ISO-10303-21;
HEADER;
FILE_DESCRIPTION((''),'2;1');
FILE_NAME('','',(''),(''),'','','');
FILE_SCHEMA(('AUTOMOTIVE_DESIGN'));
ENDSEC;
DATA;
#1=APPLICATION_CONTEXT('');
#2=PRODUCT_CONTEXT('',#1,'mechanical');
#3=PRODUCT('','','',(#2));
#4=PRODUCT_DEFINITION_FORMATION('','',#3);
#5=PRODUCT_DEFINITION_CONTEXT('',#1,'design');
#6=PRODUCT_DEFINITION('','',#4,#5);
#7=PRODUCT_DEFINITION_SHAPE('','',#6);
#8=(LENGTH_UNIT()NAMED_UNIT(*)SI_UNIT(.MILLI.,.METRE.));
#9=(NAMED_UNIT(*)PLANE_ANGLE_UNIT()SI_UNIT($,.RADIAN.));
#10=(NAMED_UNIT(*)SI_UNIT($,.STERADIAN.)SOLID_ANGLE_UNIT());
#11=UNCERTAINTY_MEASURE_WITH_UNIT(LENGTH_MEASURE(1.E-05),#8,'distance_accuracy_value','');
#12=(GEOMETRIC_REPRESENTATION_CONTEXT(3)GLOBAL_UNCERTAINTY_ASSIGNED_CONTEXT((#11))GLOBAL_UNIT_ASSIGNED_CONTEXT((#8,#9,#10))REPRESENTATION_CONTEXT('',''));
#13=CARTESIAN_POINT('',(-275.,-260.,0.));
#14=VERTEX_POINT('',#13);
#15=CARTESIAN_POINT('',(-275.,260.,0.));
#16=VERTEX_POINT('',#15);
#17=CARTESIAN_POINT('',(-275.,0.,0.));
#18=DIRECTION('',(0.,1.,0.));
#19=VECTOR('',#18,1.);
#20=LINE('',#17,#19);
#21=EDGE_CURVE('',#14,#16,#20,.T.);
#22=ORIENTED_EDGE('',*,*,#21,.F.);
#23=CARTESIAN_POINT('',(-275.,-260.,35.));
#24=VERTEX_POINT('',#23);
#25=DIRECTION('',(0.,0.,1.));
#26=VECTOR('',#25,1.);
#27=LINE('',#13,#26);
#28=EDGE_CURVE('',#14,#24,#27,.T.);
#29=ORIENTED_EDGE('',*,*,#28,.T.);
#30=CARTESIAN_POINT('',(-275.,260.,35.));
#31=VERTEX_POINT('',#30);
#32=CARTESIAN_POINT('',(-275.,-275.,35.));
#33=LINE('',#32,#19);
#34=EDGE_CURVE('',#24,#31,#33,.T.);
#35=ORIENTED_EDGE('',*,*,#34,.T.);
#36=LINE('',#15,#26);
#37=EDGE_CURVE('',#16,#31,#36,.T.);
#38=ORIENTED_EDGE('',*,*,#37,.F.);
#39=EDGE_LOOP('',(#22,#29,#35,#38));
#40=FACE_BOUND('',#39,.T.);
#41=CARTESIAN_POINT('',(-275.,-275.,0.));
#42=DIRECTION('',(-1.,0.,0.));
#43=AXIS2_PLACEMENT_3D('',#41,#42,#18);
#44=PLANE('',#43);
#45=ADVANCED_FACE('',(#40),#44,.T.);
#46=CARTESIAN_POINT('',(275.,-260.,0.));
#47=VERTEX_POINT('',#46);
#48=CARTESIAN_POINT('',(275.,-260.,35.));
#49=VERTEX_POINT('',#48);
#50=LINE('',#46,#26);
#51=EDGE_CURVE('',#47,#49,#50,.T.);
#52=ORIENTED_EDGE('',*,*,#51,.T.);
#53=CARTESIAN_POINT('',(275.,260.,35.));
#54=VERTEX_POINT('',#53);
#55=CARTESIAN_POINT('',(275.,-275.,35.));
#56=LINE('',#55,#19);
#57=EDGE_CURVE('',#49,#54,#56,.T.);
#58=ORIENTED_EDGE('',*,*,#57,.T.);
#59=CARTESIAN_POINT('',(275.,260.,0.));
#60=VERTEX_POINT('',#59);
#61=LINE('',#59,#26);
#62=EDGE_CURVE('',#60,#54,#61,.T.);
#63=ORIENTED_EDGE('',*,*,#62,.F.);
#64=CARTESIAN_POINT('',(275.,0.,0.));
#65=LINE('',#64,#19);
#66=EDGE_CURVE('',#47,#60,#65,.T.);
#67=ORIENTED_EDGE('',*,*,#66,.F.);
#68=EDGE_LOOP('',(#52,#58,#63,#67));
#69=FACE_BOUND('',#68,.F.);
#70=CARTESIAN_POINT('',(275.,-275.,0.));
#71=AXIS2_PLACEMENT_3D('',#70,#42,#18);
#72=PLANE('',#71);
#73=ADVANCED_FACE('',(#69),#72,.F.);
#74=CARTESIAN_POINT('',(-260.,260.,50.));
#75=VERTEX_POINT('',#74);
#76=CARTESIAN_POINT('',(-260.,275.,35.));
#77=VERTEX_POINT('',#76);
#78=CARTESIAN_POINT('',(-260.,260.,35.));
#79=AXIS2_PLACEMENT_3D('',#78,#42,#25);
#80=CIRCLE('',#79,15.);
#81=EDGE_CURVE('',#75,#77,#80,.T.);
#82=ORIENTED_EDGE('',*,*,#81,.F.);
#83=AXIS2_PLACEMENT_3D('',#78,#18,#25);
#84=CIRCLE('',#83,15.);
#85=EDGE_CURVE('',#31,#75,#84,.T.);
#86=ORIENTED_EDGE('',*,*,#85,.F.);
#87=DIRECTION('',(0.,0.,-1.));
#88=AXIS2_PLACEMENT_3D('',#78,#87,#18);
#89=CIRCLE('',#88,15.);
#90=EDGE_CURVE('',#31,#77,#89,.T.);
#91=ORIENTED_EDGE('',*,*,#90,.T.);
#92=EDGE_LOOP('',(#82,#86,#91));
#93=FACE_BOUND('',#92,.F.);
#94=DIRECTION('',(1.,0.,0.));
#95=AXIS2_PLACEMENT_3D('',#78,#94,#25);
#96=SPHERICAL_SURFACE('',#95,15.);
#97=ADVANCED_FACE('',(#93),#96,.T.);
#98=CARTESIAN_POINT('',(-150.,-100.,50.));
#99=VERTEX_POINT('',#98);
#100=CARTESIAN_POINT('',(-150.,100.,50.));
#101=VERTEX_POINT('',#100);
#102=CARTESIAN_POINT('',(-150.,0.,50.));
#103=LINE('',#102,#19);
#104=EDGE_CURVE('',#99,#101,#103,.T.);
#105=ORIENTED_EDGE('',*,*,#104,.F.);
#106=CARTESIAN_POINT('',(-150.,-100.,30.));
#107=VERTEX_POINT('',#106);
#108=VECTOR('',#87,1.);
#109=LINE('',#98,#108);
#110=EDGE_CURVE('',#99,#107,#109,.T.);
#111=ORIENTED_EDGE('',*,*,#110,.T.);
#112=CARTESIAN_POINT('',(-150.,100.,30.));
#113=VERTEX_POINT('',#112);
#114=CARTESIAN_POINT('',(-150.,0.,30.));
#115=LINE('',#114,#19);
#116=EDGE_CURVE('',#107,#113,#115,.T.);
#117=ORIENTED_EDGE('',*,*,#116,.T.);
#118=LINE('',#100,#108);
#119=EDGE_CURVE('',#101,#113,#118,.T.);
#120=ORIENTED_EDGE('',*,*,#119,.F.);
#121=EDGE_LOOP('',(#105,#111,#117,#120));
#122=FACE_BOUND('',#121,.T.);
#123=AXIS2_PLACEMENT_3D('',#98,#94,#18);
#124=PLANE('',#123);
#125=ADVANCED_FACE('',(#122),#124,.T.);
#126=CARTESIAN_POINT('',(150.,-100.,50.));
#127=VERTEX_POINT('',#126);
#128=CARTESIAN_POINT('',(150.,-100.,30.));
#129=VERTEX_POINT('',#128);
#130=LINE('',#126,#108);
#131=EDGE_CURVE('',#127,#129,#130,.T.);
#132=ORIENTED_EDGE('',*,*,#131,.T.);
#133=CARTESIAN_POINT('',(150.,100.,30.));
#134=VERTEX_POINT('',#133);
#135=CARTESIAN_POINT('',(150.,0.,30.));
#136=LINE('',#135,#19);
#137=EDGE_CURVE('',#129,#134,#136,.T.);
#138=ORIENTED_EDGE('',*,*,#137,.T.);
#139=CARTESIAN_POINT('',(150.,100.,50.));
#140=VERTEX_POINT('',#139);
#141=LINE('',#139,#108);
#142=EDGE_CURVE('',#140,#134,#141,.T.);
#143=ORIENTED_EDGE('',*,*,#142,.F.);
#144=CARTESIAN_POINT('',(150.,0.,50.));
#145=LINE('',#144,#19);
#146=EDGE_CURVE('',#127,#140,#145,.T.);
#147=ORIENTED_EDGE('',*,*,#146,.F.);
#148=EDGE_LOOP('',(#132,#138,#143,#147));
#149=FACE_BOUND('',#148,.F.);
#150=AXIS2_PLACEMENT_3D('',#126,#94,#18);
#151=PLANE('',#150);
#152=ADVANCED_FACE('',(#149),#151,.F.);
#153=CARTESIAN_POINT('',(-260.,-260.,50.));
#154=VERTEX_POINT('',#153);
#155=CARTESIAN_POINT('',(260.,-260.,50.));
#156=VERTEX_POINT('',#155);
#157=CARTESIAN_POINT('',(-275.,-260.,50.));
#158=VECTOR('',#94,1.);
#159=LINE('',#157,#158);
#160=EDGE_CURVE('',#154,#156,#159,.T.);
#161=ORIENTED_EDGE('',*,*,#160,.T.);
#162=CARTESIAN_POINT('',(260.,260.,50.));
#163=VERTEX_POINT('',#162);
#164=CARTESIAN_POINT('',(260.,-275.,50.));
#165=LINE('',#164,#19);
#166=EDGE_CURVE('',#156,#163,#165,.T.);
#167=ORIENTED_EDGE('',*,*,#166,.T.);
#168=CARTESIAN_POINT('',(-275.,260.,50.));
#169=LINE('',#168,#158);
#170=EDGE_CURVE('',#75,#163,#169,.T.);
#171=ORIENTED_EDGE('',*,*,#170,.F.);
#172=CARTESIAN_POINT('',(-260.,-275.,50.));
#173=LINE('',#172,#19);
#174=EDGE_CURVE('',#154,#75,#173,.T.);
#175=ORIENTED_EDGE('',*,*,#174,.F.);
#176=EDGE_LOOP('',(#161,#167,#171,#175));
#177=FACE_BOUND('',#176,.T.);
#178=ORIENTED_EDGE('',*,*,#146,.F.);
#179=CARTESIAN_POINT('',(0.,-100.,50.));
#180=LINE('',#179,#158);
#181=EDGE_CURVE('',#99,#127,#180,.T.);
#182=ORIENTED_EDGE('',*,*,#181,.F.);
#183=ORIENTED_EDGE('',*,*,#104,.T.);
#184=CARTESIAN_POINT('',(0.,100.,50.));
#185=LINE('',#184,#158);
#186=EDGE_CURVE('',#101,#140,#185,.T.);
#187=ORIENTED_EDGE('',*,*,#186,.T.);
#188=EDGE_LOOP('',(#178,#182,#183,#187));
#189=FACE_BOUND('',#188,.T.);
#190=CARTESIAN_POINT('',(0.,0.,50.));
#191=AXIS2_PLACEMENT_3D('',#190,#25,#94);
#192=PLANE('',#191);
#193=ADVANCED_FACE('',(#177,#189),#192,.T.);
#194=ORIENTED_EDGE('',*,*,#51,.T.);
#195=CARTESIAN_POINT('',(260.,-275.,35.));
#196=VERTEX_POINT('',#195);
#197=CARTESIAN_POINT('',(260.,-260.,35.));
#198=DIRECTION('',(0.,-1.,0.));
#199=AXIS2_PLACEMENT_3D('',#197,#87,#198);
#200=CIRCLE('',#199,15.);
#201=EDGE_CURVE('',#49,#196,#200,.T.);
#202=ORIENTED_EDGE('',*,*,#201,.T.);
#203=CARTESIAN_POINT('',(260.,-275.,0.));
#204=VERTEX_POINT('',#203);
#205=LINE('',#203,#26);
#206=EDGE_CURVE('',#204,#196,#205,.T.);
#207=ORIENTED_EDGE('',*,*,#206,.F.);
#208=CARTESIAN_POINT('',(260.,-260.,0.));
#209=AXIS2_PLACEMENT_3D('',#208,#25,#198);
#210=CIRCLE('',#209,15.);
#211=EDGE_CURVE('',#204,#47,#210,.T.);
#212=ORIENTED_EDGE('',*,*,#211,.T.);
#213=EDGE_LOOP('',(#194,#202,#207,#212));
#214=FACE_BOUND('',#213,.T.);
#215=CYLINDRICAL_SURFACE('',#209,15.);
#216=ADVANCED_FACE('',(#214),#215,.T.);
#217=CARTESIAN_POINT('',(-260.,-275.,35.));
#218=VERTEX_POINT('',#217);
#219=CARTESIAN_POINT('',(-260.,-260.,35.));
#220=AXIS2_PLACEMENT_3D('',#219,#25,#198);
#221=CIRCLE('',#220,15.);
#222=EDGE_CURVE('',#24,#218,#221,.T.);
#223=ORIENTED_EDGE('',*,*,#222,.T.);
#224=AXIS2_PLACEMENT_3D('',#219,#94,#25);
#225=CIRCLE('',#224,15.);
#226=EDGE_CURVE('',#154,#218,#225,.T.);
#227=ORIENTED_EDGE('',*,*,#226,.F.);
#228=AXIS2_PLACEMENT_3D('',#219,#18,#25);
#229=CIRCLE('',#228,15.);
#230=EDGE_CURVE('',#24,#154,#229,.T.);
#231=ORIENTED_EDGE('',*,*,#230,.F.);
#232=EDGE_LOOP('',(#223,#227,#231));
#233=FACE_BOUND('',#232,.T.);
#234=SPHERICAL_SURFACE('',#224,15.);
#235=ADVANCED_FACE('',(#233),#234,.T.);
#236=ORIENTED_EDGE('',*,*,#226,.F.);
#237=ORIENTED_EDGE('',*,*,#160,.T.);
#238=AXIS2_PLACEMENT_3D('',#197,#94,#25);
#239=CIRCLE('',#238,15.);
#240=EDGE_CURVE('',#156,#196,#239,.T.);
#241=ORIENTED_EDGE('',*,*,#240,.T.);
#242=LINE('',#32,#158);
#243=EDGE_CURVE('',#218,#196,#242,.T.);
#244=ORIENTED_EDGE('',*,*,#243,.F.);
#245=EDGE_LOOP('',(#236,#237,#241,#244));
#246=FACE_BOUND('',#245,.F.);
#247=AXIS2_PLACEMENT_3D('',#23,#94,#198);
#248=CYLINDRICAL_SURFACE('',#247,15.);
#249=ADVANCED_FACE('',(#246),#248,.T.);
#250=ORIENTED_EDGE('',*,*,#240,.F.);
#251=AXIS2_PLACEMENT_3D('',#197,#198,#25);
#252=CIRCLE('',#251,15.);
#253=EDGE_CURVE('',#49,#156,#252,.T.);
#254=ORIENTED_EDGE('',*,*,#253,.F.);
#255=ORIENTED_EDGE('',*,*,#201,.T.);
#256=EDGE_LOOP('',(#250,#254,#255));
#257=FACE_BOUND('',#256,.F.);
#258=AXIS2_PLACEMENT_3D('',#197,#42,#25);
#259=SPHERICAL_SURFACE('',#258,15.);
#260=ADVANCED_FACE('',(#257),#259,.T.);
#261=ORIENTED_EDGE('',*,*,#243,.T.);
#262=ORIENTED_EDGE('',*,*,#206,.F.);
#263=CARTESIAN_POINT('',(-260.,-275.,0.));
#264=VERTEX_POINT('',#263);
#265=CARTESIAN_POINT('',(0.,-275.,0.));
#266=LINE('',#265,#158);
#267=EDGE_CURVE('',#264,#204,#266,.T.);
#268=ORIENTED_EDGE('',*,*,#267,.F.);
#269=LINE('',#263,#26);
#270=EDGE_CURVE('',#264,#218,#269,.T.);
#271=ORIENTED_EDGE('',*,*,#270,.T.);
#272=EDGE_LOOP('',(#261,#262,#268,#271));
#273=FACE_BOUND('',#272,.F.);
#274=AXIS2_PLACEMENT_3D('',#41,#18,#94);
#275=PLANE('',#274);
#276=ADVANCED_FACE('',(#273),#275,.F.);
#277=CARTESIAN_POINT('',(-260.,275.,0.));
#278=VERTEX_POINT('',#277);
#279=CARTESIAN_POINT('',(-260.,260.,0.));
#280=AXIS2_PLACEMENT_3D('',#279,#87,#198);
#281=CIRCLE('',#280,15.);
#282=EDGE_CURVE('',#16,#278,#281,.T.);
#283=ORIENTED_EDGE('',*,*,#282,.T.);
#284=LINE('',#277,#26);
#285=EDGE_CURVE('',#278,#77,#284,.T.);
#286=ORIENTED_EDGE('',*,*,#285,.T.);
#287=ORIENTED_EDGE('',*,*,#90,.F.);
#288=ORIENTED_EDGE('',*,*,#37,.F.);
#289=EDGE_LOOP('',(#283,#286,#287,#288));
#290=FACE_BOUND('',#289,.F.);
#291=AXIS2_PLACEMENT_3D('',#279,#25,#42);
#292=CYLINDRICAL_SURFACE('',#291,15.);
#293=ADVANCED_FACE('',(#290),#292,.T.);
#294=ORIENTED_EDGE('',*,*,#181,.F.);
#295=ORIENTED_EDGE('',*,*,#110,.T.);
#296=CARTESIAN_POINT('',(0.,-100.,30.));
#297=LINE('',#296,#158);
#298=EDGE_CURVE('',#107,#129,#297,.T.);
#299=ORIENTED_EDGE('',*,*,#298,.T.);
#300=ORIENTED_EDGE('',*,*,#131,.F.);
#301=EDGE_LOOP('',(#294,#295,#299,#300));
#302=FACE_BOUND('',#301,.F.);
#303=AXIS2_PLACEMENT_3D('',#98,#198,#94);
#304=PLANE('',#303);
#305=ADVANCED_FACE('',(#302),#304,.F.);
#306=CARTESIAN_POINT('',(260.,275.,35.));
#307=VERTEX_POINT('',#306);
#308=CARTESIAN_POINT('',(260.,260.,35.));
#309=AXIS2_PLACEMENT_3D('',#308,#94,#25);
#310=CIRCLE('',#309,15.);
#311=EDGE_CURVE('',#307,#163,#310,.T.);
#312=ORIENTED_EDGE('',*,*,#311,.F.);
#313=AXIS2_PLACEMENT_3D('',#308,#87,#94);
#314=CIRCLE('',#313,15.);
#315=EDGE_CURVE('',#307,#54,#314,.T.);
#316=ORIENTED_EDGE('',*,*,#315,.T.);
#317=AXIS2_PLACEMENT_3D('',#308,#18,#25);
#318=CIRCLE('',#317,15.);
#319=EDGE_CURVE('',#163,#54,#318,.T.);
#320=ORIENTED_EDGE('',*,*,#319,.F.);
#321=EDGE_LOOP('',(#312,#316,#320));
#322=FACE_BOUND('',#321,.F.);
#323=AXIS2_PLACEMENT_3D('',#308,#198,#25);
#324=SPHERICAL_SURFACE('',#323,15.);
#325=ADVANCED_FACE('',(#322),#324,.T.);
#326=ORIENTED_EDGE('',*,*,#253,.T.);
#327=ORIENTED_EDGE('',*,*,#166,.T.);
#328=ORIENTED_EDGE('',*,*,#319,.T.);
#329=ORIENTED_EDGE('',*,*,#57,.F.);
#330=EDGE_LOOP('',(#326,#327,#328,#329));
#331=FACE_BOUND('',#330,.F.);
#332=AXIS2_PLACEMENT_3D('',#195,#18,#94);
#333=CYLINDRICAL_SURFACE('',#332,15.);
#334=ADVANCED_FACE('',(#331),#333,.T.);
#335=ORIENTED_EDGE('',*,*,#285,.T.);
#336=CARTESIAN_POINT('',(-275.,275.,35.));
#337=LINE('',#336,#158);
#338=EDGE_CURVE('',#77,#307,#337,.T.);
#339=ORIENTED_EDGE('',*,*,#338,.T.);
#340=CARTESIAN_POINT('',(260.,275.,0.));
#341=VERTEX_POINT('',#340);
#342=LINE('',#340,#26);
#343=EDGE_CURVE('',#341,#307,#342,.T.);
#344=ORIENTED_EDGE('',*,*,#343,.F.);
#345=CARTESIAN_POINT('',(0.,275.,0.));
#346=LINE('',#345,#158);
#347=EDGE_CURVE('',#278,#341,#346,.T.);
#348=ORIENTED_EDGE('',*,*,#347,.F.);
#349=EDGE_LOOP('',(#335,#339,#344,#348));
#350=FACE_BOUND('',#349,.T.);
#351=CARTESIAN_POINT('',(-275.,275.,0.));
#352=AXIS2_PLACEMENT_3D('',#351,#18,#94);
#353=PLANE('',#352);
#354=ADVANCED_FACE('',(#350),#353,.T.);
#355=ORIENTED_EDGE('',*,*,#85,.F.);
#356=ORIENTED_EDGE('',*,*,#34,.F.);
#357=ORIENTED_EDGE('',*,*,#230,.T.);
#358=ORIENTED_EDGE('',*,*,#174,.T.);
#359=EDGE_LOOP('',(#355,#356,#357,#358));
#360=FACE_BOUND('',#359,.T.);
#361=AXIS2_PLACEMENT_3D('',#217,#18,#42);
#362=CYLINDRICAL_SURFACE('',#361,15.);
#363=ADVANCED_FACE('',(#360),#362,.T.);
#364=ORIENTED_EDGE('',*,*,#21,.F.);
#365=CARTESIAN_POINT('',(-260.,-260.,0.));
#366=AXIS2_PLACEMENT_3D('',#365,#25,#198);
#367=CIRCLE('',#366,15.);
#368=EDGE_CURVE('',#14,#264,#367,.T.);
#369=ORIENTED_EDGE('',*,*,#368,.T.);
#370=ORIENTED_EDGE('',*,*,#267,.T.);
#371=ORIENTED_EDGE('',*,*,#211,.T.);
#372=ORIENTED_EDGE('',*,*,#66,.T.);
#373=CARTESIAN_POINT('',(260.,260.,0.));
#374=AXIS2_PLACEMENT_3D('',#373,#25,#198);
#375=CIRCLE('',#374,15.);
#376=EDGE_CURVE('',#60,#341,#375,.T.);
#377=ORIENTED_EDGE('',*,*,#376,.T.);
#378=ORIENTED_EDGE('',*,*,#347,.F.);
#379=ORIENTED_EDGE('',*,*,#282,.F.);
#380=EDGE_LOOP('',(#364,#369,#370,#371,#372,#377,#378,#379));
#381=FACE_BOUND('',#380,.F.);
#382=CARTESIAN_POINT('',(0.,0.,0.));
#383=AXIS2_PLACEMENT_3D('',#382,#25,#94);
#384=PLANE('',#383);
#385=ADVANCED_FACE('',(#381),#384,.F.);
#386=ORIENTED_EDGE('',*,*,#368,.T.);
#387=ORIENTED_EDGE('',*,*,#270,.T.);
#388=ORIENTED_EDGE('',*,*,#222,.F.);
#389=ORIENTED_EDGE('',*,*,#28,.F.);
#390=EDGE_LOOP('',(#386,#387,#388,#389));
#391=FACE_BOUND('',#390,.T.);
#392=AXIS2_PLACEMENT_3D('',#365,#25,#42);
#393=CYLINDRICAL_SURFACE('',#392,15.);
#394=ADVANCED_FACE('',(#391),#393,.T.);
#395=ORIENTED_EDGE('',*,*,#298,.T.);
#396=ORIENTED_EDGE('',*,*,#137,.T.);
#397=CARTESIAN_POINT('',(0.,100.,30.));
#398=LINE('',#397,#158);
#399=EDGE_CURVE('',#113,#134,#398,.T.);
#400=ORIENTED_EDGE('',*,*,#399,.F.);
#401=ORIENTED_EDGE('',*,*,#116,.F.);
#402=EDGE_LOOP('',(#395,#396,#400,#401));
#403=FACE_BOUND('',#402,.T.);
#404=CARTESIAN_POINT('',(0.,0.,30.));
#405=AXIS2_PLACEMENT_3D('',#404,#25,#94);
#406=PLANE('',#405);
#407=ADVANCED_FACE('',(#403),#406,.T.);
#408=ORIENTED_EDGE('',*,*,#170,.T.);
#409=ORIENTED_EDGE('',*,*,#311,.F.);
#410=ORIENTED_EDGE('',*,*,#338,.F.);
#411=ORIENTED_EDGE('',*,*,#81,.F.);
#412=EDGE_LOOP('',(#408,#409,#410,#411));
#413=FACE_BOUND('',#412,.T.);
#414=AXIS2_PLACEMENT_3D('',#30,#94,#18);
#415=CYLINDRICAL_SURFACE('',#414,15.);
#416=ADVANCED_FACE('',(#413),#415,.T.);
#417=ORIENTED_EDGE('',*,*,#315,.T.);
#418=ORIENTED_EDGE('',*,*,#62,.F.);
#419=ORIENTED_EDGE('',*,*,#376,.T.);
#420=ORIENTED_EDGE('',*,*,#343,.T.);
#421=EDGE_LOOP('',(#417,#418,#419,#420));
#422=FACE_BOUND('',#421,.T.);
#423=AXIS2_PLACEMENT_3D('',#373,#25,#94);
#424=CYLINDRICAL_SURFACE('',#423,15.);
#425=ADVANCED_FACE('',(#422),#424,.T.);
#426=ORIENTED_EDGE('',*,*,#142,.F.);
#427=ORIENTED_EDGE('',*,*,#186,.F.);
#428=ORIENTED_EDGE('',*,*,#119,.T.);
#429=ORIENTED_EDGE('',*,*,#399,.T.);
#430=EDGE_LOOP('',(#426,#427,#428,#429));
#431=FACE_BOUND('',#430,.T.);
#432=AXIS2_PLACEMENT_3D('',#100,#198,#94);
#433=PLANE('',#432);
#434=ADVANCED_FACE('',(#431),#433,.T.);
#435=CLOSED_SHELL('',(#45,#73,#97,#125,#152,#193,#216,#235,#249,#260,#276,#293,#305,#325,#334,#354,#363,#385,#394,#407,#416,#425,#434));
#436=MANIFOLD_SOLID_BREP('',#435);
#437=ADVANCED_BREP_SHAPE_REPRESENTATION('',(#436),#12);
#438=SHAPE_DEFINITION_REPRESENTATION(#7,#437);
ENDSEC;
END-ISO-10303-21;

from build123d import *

# Parameters (mm, degrees)
F0_W     = 550
F0_H     = 550
F1_DEPTH = 50
F2_R     = 15
F3_W     = 300
F3_H     = 200
F4_DEPTH = 20


with BuildPart() as f1:
    # F0 (on Top) → F1 (new body)
    with BuildSketch(Plane.XY):
        Rectangle(F0_W, F0_H)
    extrude(amount=F1_DEPTH)

    # F2
    f2_edges = [f1.edges().sort_by_distance(p)[0] for p in [
        (0, -275, 50),
        (275, 0, 50),
        (0, 275, 50),
        (-275, 0, 50),
        (275, -275, 25),
        (275, 275, 25),
        (-275, 275, 25),
        (-275, -275, 25),
    ]]
    fillet(f2_edges, radius=F2_R)

    # F3 (on face) → F4 (cut)
    with BuildSketch(Plane.XY.offset(50)):
        Rectangle(F3_W, F3_H)
    extrude(amount=-F4_DEPTH, mode=Mode.SUBTRACT)


solid = f1.part
